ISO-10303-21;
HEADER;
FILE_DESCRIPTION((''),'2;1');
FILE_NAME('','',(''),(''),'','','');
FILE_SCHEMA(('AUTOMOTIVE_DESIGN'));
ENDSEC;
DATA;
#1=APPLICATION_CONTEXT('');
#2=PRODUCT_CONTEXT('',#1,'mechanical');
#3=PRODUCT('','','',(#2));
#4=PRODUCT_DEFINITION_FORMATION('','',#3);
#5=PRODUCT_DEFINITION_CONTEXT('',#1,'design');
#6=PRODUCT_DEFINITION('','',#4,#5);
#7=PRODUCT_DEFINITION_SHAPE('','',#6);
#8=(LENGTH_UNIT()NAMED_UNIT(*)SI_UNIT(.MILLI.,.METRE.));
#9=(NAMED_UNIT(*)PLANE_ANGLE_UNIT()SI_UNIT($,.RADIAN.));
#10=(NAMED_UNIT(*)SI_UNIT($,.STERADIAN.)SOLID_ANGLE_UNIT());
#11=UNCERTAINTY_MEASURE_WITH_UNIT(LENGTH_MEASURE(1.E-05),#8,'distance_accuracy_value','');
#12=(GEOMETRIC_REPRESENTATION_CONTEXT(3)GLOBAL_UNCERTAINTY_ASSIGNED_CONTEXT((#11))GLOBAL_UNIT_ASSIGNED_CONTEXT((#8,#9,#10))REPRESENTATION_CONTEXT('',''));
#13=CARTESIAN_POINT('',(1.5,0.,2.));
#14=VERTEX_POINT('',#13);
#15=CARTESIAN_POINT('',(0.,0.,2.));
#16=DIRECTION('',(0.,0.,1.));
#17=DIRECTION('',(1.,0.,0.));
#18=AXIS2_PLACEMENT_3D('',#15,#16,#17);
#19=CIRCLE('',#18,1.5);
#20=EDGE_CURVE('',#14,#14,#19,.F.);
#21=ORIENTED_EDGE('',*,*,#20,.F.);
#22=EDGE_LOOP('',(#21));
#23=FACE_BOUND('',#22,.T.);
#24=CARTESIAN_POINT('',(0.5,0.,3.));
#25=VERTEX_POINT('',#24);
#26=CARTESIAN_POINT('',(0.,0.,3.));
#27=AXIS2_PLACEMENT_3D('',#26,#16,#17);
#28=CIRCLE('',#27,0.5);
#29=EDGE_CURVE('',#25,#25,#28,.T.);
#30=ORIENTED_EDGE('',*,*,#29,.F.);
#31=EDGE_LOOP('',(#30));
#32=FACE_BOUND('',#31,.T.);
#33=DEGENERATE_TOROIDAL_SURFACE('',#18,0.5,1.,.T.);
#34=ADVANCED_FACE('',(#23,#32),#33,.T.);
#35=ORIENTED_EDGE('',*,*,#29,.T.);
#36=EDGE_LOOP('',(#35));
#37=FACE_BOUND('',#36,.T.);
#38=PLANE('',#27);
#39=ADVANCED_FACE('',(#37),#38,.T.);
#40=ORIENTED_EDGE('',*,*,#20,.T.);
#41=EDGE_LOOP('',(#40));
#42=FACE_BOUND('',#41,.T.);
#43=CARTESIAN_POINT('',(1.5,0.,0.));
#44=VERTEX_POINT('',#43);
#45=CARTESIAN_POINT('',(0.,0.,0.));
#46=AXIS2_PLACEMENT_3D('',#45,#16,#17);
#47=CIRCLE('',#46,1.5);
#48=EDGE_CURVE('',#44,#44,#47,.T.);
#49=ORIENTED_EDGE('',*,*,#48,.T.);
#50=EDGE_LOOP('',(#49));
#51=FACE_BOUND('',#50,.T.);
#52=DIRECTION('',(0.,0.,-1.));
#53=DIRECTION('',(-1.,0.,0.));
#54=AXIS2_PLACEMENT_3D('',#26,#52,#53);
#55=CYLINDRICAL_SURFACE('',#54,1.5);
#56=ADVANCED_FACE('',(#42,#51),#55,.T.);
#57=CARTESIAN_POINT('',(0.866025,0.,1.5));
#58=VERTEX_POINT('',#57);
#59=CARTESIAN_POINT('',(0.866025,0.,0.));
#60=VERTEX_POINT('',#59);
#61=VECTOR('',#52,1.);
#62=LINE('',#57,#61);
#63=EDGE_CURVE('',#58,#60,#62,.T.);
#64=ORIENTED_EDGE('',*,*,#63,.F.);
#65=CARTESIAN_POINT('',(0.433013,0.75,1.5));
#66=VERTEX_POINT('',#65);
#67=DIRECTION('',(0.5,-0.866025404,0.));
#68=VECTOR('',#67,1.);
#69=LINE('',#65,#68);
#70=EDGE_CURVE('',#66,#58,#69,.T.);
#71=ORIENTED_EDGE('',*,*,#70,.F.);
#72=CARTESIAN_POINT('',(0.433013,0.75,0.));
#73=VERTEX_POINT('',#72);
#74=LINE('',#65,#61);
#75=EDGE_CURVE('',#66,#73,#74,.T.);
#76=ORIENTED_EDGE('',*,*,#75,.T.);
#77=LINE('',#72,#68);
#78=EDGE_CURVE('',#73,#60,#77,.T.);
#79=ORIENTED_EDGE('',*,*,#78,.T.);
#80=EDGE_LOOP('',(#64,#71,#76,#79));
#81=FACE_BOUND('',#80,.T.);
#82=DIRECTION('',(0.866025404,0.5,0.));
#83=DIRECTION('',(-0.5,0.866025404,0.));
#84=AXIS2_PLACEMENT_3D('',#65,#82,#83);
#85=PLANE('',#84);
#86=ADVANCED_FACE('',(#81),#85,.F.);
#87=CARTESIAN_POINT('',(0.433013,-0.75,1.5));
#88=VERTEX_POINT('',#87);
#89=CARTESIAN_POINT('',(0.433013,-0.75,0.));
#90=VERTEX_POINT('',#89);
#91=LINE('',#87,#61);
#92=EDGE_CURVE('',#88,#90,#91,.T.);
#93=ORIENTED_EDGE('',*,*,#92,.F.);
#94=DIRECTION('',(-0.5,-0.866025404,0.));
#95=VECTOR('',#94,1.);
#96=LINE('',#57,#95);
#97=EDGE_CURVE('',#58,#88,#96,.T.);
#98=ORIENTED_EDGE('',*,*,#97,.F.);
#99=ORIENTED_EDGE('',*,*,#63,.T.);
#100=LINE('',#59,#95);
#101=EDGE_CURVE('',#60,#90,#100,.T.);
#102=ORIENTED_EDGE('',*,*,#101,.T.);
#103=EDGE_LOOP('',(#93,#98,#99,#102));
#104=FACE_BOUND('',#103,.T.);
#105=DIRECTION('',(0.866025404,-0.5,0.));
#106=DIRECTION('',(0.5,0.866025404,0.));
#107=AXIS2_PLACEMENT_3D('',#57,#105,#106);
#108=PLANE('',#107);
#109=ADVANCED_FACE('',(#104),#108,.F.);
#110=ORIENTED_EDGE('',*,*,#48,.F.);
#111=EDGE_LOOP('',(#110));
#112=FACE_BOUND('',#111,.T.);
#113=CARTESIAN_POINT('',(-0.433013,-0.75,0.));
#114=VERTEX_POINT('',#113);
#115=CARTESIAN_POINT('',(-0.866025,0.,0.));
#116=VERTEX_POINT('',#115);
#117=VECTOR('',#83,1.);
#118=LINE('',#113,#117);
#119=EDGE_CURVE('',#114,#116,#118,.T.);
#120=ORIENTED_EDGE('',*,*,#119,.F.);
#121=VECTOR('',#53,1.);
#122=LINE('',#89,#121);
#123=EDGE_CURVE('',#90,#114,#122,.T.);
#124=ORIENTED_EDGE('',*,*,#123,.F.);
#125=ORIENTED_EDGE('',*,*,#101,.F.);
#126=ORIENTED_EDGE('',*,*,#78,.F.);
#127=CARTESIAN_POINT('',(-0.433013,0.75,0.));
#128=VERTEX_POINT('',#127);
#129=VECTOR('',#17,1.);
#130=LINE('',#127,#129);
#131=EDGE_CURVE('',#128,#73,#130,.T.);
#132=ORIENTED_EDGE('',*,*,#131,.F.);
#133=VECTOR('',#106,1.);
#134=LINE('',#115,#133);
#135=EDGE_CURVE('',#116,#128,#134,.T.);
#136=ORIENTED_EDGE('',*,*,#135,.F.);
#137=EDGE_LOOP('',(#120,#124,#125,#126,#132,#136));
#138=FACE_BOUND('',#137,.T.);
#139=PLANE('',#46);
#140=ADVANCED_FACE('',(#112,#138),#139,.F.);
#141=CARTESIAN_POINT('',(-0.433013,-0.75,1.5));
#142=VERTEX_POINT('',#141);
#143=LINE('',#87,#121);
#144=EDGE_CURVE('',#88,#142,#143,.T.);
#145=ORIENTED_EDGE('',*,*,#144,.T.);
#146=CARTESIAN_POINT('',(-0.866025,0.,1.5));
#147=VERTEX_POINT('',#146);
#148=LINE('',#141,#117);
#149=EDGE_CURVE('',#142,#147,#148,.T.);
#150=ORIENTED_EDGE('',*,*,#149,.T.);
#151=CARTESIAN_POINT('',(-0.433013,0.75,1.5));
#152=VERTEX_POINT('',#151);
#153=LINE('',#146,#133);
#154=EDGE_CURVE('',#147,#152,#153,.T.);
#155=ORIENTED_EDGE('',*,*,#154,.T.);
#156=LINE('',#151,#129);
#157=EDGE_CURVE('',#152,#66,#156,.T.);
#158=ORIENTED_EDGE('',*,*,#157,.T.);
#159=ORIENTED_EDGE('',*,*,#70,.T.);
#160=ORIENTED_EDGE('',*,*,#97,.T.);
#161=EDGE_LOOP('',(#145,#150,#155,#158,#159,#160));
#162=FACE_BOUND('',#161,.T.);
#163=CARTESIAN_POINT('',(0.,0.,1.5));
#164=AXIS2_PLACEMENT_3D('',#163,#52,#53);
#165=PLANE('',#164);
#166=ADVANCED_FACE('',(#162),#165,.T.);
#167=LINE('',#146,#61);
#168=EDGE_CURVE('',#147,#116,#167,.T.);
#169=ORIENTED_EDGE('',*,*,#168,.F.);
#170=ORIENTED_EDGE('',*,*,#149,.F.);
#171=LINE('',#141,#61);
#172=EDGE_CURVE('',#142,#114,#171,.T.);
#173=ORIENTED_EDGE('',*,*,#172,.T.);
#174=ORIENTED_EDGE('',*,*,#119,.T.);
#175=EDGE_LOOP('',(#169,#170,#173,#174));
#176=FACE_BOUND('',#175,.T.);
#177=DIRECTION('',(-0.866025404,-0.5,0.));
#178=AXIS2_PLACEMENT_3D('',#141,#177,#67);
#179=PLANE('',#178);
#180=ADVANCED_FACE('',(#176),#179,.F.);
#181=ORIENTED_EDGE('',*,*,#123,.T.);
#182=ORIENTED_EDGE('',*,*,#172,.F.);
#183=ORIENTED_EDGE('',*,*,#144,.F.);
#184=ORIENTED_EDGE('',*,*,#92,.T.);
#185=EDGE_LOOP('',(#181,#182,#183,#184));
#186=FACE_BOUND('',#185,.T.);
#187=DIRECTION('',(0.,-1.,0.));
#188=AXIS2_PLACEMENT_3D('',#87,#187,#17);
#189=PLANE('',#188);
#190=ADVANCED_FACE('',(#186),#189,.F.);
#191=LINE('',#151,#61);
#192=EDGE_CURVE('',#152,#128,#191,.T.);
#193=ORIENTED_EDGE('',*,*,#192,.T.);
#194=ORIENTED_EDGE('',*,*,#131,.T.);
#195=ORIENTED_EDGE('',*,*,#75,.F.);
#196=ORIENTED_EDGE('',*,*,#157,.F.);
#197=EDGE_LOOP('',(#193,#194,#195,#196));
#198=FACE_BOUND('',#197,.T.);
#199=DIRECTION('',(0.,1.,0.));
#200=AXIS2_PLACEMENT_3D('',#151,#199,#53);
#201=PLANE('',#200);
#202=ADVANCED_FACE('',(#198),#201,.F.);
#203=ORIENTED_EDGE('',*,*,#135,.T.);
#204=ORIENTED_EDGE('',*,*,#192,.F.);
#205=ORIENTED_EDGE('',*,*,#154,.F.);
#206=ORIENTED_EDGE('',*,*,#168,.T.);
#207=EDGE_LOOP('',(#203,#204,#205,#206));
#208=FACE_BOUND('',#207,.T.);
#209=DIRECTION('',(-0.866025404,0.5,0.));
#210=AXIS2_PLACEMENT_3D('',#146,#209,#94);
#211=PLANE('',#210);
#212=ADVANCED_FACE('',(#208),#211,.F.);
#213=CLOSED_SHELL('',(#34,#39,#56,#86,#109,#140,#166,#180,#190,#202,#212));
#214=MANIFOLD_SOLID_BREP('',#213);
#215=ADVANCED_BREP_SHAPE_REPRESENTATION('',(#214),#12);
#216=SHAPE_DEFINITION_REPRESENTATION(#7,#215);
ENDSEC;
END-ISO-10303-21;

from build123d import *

# Parameters (mm, degrees)
SKETCH_1_R          = 1.5
EXTRUDE_1_DEPTH     = 3
FILLET_1_R          = 1
CUT_EXTRUDE_1_DEPTH = 1.5


with BuildPart() as part:
    # 草图1 → 凸台-拉伸1 (new body)
    with BuildSketch(Plane.XY):
        Circle(SKETCH_1_R)
    extrude(amount=EXTRUDE_1_DEPTH)

    # 圆角1
    fillet_1_edges = [part.edges().sort_by_distance(p)[0] for p in [
        (-1.5, 0, 3),
    ]]
    fillet(fillet_1_edges, radius=FILLET_1_R)

    # 草图2 → 切除-拉伸1 (cut)
    with BuildSketch(Plane(origin=(0, 0, 0), x_dir=(-1, 0, 0), z_dir=(0, 0, -1))):
        Polygon((0.866025404, 0), (0.433012702, 0.75), (-0.433012702, 0.75), (-0.866025404, 0), (-0.433012702, -0.75), (0.433012702, -0.75), align=None)
    extrude(amount=-CUT_EXTRUDE_1_DEPTH, mode=Mode.SUBTRACT)


solid = part.part
